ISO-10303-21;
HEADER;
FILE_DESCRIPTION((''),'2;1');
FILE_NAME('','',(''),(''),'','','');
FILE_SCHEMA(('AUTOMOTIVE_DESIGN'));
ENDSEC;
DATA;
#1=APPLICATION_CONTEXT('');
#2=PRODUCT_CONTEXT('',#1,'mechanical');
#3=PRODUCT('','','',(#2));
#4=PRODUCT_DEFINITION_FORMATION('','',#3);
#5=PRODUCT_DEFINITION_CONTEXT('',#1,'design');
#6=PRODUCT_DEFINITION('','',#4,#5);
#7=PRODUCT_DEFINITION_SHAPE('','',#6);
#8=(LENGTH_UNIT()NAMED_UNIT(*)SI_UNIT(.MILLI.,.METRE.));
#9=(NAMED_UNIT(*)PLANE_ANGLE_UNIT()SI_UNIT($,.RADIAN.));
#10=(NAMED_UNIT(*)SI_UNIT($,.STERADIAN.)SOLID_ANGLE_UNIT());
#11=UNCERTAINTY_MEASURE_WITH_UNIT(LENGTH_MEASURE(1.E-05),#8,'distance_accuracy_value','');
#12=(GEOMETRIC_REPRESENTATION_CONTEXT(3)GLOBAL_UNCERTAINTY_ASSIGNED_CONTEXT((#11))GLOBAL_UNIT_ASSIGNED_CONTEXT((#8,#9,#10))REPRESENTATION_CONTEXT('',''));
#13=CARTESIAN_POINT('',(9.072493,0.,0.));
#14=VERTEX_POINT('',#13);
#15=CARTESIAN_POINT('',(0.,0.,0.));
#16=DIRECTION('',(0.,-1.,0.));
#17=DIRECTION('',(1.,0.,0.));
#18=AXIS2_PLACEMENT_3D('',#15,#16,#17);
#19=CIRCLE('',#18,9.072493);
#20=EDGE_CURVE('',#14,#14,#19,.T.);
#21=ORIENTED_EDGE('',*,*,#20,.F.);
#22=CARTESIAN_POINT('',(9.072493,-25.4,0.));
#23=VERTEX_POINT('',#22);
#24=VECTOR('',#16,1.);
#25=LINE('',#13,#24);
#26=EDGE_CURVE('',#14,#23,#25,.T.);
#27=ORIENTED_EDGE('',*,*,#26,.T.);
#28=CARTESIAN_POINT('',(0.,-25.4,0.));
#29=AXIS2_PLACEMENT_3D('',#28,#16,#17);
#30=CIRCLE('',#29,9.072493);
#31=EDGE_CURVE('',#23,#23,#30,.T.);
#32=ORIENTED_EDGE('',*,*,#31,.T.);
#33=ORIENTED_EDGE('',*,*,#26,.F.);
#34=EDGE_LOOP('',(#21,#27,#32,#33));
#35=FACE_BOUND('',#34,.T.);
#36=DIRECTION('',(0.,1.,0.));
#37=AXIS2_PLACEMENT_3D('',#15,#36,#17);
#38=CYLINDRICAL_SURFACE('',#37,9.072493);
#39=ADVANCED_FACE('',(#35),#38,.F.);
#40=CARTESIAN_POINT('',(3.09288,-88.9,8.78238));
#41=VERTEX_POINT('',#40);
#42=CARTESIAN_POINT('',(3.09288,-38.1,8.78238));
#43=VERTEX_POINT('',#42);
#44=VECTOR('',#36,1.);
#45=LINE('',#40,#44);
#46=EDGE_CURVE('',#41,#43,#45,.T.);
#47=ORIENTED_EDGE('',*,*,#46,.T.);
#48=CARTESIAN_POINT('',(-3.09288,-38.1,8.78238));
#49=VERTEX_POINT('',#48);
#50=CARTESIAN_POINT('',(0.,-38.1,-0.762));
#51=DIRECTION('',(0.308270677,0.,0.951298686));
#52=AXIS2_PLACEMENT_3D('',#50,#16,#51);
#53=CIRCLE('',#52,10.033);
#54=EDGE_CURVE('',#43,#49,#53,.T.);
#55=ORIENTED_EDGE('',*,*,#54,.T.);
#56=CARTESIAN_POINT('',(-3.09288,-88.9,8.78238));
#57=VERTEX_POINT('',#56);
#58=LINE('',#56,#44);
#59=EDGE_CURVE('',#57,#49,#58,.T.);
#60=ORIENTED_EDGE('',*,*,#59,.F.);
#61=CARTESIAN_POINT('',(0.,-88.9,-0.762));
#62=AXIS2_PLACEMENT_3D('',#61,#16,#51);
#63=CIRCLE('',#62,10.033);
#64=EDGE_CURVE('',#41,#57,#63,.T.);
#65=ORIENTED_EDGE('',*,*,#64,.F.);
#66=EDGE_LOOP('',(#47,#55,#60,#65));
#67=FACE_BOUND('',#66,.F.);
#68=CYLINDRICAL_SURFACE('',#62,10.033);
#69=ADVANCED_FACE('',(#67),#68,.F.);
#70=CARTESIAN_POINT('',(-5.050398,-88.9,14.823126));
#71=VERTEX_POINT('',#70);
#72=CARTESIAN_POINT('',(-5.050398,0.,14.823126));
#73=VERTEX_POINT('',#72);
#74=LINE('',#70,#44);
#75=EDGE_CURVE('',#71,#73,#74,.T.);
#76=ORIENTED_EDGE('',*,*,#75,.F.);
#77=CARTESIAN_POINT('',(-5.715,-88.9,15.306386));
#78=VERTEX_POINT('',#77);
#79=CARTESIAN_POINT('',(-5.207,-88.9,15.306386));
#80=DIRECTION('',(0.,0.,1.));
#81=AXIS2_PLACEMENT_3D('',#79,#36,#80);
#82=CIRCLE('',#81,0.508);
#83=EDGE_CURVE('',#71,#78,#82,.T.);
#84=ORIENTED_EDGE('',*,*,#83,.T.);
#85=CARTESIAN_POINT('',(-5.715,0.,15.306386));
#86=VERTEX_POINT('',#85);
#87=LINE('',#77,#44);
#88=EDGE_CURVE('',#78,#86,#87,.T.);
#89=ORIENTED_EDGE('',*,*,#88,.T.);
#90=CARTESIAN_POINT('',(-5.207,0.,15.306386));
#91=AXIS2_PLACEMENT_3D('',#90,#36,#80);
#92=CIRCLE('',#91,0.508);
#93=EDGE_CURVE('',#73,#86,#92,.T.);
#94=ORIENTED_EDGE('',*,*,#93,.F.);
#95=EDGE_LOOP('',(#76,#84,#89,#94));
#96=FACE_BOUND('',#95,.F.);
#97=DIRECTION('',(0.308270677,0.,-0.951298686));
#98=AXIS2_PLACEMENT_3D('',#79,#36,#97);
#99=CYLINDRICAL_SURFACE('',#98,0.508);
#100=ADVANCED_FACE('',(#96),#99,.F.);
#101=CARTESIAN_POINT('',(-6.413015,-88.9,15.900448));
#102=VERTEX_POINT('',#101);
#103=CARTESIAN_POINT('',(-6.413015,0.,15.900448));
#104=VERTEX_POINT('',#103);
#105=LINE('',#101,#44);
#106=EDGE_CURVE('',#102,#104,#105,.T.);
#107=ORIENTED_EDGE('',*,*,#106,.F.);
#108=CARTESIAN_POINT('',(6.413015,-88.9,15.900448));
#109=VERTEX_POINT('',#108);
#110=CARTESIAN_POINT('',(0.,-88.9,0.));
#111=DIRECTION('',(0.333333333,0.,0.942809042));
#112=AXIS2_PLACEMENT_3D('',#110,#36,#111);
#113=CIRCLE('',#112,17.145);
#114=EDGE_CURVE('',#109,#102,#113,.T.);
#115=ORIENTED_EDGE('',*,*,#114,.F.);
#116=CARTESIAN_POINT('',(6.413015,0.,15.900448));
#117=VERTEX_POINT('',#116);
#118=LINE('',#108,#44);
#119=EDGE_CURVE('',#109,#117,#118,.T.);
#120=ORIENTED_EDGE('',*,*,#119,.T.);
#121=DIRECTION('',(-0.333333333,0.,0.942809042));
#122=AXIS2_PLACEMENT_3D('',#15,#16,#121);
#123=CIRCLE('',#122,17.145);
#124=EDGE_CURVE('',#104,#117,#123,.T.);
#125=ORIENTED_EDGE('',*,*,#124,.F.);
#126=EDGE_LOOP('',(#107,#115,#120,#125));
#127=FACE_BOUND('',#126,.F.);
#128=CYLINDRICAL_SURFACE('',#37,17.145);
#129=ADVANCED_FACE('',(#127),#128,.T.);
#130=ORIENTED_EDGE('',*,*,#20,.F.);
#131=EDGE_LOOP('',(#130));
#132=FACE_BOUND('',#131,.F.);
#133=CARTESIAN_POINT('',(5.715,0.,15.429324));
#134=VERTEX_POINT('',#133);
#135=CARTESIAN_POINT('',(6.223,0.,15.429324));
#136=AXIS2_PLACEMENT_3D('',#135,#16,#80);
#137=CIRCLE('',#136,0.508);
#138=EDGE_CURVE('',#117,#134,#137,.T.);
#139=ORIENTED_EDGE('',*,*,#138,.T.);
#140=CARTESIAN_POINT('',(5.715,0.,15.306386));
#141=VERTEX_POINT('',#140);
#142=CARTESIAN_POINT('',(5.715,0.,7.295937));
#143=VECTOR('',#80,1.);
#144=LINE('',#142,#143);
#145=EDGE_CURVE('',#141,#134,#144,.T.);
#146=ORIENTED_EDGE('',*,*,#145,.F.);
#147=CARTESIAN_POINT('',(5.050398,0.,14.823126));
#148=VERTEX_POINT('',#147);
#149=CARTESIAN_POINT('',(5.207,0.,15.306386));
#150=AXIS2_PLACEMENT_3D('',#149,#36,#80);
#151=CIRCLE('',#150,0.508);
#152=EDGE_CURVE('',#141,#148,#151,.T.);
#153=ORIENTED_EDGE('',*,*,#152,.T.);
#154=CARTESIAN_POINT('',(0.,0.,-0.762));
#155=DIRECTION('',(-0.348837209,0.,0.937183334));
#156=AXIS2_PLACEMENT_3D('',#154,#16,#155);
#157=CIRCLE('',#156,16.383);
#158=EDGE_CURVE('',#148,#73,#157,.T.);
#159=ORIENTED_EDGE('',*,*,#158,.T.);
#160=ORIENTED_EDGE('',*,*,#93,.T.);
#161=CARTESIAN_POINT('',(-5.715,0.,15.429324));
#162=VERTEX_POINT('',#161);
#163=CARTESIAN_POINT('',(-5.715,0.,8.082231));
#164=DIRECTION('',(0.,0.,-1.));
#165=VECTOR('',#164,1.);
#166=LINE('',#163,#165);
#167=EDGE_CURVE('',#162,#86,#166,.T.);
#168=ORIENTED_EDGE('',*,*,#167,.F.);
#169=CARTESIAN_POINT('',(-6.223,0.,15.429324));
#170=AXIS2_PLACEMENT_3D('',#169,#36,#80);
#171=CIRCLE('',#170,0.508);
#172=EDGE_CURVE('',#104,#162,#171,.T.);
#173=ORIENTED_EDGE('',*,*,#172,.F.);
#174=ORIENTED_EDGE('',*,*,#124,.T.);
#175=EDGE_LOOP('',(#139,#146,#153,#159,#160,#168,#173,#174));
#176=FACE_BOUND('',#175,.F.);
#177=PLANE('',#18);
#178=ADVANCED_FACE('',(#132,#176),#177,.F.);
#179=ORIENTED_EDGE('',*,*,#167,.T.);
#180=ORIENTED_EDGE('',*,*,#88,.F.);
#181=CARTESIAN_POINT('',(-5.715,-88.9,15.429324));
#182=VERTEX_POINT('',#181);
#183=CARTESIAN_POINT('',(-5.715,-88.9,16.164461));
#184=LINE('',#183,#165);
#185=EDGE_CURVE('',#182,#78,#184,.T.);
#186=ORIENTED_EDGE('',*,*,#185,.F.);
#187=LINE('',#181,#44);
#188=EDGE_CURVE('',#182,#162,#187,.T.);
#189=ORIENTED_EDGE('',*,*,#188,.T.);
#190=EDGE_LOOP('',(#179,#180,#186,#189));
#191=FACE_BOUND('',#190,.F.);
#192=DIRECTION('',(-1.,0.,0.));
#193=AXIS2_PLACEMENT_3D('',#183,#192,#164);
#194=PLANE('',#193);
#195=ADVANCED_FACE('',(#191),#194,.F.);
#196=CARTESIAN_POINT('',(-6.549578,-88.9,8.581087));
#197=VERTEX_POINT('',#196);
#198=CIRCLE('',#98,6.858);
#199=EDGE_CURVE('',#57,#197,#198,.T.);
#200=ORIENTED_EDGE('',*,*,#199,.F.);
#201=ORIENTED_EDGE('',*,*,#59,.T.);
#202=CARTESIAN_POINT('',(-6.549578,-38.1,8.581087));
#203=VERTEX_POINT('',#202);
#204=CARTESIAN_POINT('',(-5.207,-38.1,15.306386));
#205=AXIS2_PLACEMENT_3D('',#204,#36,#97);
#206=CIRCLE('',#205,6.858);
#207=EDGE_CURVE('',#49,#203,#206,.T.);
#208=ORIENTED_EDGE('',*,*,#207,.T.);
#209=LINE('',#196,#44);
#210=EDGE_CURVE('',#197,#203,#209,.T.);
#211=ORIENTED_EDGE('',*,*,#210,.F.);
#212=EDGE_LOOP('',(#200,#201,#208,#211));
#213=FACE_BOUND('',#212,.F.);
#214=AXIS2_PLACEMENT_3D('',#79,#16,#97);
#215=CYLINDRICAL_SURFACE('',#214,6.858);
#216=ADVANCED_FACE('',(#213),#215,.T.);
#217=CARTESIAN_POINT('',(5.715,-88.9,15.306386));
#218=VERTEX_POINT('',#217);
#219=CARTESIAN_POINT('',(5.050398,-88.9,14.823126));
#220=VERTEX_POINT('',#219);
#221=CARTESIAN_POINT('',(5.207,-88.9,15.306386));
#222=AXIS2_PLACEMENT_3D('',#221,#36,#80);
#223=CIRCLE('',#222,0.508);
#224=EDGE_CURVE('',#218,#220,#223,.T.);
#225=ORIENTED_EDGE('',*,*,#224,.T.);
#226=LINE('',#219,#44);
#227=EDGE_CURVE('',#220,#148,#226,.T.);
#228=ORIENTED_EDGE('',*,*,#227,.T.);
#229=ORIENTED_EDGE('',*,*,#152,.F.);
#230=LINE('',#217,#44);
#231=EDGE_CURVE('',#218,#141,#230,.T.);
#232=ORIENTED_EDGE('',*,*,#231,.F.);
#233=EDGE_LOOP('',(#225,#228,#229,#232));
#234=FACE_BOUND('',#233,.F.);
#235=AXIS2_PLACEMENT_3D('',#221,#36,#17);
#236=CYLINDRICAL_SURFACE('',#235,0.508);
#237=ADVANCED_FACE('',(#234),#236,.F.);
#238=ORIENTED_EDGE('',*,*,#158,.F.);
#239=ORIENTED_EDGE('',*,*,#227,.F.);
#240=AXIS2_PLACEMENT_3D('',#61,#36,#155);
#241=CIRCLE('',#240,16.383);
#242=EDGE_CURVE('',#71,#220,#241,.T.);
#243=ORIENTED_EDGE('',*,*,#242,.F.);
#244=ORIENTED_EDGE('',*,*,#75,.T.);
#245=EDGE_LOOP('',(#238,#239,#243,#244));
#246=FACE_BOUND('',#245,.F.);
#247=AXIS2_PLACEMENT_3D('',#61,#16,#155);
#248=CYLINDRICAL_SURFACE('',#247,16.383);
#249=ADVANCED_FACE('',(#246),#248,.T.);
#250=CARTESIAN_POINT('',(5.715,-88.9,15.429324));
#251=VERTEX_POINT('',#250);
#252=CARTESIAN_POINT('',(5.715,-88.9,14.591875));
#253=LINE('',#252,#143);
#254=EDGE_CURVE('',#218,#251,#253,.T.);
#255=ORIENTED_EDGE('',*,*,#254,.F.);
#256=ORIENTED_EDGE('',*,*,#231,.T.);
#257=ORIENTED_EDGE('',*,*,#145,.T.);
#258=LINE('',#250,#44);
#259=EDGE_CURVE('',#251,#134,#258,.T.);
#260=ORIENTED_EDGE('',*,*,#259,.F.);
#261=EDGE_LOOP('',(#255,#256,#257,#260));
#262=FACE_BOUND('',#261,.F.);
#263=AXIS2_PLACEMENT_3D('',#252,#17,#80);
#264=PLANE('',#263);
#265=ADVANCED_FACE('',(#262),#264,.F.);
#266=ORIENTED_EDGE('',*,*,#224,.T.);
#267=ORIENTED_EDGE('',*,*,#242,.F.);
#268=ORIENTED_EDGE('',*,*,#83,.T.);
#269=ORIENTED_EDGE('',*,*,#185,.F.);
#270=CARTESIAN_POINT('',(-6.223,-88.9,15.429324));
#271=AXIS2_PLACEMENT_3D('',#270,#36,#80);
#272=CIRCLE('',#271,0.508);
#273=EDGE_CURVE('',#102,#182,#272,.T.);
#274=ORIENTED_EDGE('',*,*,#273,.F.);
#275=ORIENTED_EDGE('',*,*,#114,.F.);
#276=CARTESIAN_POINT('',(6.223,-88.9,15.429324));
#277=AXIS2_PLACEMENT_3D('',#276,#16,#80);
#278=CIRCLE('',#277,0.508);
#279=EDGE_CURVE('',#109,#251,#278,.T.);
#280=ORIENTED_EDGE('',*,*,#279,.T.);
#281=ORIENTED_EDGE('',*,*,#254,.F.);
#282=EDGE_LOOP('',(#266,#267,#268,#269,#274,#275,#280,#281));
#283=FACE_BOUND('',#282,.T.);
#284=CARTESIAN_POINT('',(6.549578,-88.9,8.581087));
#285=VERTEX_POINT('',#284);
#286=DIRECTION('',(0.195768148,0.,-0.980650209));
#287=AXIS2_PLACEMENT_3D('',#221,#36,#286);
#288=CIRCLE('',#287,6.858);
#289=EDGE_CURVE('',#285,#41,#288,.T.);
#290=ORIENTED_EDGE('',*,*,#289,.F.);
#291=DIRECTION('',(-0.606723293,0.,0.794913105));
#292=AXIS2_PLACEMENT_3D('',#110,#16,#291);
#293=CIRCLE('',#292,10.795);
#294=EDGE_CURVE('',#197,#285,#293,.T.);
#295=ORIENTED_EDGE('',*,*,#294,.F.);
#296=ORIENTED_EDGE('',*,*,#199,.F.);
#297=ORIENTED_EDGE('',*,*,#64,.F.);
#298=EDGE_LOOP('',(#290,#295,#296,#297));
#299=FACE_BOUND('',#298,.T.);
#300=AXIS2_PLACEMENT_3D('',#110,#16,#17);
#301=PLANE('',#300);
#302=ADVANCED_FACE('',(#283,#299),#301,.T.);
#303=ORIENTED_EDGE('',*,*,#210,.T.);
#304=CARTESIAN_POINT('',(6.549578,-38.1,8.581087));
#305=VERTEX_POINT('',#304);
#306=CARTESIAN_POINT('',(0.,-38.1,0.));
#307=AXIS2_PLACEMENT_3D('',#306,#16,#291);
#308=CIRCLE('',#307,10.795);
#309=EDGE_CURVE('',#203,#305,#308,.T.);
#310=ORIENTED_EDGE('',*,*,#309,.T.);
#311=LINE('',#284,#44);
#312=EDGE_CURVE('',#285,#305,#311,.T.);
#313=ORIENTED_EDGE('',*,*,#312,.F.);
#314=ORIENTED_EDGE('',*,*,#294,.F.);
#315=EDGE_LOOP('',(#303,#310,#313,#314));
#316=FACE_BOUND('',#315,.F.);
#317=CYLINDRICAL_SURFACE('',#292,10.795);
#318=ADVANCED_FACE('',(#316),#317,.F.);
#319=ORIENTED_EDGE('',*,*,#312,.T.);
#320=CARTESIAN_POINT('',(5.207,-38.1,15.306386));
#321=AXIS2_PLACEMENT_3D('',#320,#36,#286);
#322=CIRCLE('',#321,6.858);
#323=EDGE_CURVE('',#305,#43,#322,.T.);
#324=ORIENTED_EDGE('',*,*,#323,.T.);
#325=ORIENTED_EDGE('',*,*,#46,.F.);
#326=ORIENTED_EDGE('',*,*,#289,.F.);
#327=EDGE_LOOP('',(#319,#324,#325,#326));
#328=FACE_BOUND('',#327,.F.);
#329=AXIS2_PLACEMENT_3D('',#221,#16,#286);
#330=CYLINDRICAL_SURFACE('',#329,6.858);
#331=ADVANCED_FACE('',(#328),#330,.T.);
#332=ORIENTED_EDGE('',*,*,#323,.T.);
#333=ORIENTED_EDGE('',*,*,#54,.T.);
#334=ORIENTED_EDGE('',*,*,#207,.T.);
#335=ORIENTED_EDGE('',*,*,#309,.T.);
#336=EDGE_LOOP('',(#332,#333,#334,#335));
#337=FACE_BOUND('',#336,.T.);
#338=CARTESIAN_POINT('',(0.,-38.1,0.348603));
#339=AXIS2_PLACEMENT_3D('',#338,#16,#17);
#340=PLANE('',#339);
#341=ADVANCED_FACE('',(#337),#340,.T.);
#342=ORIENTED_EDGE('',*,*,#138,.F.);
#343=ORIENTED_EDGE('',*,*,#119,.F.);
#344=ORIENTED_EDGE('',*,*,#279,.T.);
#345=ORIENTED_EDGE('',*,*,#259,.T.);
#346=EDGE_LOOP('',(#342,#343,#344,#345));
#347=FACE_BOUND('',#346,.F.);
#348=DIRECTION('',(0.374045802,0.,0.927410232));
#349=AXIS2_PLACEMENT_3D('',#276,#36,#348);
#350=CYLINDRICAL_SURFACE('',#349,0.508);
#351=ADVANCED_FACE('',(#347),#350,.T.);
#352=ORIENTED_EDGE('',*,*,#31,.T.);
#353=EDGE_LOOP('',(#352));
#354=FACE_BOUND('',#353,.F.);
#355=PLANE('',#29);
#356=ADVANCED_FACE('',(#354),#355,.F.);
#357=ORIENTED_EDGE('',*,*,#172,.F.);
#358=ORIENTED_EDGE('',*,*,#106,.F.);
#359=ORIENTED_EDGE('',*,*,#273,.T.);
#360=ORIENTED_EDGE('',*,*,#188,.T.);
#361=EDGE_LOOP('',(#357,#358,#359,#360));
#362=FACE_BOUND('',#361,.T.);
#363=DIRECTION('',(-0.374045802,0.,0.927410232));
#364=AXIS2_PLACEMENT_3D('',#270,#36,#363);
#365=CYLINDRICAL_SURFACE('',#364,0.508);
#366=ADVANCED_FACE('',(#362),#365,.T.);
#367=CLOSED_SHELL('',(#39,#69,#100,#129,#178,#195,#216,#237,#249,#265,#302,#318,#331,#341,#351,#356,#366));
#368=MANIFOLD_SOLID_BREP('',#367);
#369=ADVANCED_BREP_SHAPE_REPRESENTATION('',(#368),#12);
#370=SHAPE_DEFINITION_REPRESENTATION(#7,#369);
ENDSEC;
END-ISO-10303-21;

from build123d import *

# Parameters (mm, degrees)
F0_R     = 17.145
F0_R_2   = 9.0724925833
F1_DEPTH = 88.9
F2_DEPTH = 25.4
F4_DEPTH = 88.901
F5_R     = 0.508
F7_DEPTH = 50.8


with BuildPart() as f1:
    # F0 (on Front) → F1 (new body)
    with BuildSketch(Plane.XZ):
        Circle(F0_R)
        Circle(F0_R_2, mode=Mode.SUBTRACT)
        Circle(F0_R_2)
    extrude(amount=F1_DEPTH)

    # F0 (on Front) → F2 (cut)
    with BuildSketch(Plane.XZ):
        Circle(F0_R_2)
    extrude(amount=F2_DEPTH, mode=Mode.SUBTRACT)

    # F3 (on face) → F4 (cut, through all)
    with BuildSketch(Plane.XZ.offset(88.9)):
        with BuildLine():
            ThreePointArc((-5.715, 14.5918745599), (0, 15.621), (5.715, 14.5918745599))
            Line((5.715, 14.5918745599), (5.715, 16.1644610179))
            ThreePointArc((5.715, 16.1644610179), (2.8992534253, 16.8980873053), (0, 17.145))
            ThreePointArc((0, 17.145), (-2.8992534253, 16.8980873053), (-5.715, 16.1644610179))
            Line((-5.715, 16.1644610179), (-5.715, 14.5918745599))
        make_face()
    extrude(amount=-F4_DEPTH, mode=Mode.SUBTRACT)

    # F5
    f5_edges = [f1.edges().sort_by_distance(p)[0] for p in [
        (-5.715, -44.45, 16.164461),
        (5.715, -44.45, 16.164461),
        (-5.715, -44.45, 14.591875),
        (5.715, -44.45, 14.591875),
    ]]
    fillet(f5_edges, radius=F5_R)

    # F6 (on face) → F7 (cut)
    with BuildSketch(Plane.XZ.offset(88.9)):
        with BuildLine():
            ThreePointArc((-3.0928797021, 8.7823797249), (-4.8083158044, 8.4599845105), (-6.5495779578, 8.5810869809))
            ThreePointArc((-6.5495779578, 8.5810869809), (0, -10.7950000092), (6.5495779578, 8.5810869809))
            ThreePointArc((6.5495779578, 8.5810869809), (4.8083158044, 8.4599845105), (3.0928797021, 8.7823797249))
            ThreePointArc((3.0928797021, 8.7823797249), (0, 9.2710000092), (-3.0928797021, 8.7823797249))
        make_face()
    extrude(amount=-F7_DEPTH, mode=Mode.SUBTRACT)


solid = f1.part
